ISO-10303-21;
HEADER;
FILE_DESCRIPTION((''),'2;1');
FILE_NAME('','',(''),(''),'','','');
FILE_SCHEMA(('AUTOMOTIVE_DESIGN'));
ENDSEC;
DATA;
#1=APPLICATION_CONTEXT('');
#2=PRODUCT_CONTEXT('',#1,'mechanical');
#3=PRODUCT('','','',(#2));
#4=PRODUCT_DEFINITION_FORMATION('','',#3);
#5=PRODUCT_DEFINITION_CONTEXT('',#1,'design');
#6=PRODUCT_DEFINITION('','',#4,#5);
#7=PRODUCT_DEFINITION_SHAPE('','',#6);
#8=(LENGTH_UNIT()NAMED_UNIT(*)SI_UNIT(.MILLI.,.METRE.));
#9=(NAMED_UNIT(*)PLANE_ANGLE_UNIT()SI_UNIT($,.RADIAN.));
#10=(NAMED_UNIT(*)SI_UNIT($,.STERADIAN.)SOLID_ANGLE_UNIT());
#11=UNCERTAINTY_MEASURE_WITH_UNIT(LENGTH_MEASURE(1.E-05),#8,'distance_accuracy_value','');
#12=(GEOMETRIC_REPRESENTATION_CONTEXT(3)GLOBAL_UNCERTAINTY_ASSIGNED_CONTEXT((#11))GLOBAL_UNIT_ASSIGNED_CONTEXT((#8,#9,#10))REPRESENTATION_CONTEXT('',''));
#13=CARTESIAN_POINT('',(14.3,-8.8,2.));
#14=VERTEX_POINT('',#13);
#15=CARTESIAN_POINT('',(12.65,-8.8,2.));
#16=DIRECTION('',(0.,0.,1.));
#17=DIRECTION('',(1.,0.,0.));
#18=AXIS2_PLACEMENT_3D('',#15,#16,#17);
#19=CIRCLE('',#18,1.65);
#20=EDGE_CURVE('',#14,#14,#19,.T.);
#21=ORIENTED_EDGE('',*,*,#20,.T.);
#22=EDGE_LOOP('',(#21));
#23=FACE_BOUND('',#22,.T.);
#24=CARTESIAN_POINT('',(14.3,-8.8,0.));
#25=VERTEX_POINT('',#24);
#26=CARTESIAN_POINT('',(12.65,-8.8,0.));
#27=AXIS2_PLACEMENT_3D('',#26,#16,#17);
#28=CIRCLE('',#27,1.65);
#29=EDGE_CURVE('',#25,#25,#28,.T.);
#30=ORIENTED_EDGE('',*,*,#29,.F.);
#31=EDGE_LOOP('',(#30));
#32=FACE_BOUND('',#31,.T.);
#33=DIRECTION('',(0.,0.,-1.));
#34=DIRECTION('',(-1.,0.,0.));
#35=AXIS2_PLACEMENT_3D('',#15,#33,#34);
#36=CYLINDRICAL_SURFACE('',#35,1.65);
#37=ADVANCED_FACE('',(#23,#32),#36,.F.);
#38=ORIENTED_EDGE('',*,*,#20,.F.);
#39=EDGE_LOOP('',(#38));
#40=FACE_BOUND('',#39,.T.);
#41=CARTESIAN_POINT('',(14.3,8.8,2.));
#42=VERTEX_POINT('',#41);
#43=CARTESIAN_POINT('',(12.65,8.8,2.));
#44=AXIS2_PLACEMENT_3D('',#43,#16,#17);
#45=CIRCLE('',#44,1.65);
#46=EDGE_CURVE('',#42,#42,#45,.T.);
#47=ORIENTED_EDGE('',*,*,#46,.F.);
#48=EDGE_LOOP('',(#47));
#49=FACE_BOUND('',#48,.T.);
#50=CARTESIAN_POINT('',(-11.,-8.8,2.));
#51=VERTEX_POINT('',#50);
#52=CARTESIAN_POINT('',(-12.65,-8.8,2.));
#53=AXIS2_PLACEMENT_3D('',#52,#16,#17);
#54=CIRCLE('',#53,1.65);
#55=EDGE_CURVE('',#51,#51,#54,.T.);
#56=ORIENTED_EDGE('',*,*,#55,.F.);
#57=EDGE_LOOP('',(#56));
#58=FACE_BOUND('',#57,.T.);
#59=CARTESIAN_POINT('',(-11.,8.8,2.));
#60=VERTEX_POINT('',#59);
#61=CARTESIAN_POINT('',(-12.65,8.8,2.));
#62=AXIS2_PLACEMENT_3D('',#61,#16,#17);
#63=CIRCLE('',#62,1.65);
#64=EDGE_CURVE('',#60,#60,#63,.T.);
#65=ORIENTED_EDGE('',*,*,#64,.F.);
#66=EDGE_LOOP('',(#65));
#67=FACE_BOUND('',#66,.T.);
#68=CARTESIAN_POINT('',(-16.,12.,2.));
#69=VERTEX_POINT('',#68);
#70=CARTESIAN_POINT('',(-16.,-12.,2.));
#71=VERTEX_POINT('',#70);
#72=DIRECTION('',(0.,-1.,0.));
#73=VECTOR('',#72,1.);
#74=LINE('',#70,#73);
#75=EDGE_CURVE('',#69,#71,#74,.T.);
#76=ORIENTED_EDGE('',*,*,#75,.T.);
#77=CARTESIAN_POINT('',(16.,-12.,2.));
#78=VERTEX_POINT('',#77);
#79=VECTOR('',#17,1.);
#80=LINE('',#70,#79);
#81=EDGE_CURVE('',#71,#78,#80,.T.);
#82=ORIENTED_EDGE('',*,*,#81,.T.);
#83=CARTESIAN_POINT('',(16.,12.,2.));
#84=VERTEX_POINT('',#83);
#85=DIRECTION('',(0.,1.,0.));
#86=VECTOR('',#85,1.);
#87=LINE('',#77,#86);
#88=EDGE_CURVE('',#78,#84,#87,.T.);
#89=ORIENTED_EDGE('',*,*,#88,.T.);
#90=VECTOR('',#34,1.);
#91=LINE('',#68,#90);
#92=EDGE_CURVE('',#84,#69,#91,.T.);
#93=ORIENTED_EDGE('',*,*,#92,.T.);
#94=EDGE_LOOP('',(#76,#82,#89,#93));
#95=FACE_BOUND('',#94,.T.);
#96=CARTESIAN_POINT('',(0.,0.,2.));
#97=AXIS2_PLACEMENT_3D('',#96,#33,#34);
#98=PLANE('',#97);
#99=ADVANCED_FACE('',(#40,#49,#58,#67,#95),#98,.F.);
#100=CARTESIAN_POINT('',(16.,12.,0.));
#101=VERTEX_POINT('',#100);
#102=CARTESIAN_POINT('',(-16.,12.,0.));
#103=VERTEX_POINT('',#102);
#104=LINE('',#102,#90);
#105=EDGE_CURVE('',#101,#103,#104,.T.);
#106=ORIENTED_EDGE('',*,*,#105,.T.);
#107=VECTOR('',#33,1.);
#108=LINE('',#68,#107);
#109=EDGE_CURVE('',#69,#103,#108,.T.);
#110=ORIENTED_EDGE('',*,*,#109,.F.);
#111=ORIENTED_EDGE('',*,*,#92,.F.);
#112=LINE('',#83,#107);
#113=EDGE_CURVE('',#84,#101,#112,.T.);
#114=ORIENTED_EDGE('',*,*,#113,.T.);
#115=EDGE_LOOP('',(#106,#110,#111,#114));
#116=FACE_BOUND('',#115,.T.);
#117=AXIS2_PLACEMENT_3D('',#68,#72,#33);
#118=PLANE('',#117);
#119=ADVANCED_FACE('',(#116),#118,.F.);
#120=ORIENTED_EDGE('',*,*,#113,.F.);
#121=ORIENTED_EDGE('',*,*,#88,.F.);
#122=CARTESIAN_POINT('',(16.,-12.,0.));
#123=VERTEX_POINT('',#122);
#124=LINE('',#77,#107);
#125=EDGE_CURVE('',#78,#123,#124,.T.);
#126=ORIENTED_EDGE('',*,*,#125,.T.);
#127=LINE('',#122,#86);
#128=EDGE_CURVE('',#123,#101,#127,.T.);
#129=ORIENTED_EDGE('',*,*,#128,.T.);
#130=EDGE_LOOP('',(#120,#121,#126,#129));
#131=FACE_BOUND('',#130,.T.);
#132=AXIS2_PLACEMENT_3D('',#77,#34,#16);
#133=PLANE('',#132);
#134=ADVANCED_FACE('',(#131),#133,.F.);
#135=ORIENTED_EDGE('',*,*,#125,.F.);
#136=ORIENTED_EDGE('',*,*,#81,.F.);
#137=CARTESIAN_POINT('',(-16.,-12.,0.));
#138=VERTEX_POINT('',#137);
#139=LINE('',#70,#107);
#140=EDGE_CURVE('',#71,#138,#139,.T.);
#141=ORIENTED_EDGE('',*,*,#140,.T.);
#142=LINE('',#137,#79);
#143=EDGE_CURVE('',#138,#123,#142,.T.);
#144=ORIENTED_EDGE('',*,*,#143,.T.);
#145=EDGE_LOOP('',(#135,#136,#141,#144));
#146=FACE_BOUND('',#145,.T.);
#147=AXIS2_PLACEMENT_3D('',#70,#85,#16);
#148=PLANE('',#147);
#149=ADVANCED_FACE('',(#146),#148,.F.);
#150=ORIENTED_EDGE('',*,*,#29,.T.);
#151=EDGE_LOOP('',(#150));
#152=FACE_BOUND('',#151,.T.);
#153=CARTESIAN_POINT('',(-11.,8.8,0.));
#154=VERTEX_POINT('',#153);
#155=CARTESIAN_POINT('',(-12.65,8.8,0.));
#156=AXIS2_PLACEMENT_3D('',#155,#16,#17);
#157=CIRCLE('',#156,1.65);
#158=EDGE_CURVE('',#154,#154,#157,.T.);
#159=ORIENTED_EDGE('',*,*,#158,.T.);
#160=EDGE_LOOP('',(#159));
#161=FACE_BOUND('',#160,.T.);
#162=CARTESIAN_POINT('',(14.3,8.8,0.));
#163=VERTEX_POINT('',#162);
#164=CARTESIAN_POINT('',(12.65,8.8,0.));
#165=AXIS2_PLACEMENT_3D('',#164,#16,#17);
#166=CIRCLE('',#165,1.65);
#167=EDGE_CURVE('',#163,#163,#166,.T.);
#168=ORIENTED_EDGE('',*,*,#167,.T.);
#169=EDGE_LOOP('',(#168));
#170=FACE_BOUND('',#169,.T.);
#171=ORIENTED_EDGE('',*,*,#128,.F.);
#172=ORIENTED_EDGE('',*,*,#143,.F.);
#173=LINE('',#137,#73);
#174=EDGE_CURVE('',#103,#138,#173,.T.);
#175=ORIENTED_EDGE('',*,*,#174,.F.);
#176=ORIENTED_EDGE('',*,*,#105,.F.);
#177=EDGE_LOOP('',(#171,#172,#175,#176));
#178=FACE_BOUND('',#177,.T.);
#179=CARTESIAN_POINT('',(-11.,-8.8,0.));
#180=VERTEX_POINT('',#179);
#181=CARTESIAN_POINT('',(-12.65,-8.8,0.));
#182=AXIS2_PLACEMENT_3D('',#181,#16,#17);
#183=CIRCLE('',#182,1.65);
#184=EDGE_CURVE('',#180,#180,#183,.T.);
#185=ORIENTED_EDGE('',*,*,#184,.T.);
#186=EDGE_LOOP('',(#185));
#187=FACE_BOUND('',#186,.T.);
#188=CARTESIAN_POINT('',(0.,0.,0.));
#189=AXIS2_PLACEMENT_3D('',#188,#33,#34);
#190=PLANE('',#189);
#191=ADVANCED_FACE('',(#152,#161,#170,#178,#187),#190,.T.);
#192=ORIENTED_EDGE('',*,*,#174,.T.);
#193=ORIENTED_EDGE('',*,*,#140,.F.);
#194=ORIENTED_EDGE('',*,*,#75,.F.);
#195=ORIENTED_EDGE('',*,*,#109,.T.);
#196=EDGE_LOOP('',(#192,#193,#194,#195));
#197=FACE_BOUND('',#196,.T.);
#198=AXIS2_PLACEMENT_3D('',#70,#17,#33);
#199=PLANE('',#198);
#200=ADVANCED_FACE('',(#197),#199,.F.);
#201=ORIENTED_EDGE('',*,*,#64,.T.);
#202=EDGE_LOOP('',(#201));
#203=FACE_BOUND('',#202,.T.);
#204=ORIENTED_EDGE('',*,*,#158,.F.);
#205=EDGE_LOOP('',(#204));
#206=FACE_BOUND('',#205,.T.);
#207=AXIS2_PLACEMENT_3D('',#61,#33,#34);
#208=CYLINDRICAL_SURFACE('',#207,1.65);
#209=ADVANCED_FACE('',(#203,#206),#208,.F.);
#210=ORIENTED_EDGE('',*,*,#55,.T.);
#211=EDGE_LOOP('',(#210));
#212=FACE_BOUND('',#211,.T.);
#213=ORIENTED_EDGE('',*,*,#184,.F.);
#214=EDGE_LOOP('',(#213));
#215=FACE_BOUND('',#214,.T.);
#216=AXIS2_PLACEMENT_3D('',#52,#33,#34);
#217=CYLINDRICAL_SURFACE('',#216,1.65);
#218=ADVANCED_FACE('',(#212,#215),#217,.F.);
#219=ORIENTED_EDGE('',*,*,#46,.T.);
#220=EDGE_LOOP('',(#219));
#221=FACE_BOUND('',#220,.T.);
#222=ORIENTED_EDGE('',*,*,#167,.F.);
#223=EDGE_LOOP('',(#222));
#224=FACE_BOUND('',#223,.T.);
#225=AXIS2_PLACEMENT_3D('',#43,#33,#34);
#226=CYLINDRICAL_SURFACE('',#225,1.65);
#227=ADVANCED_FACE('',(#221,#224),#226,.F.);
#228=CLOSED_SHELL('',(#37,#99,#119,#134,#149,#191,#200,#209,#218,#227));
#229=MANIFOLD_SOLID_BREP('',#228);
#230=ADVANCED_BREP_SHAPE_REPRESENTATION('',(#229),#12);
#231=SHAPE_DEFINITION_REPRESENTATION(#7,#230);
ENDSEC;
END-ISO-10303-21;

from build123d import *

# Parameters (mm, degrees)
SKETCH1_W           = 32
SKETCH1_H           = 24
SKETCH1_R           = 1.65
BOSS_EXTRUDE1_DEPTH = 2


with BuildPart() as part:
    # Sketch1 → Boss-Extrude1 (new body)
    with BuildSketch(Plane.XY):
        Rectangle(SKETCH1_W, SKETCH1_H)
        with Locations((-12.65, 8.8)):
            Circle(SKETCH1_R, mode=Mode.SUBTRACT)
        with Locations((12.65, 8.8)):
            Circle(SKETCH1_R, mode=Mode.SUBTRACT)
        with Locations((12.65, -8.8)):
            Circle(SKETCH1_R, mode=Mode.SUBTRACT)
        with Locations((-12.65, -8.8)):
            Circle(SKETCH1_R, mode=Mode.SUBTRACT)
    extrude(amount=BOSS_EXTRUDE1_DEPTH)


solid = part.part
